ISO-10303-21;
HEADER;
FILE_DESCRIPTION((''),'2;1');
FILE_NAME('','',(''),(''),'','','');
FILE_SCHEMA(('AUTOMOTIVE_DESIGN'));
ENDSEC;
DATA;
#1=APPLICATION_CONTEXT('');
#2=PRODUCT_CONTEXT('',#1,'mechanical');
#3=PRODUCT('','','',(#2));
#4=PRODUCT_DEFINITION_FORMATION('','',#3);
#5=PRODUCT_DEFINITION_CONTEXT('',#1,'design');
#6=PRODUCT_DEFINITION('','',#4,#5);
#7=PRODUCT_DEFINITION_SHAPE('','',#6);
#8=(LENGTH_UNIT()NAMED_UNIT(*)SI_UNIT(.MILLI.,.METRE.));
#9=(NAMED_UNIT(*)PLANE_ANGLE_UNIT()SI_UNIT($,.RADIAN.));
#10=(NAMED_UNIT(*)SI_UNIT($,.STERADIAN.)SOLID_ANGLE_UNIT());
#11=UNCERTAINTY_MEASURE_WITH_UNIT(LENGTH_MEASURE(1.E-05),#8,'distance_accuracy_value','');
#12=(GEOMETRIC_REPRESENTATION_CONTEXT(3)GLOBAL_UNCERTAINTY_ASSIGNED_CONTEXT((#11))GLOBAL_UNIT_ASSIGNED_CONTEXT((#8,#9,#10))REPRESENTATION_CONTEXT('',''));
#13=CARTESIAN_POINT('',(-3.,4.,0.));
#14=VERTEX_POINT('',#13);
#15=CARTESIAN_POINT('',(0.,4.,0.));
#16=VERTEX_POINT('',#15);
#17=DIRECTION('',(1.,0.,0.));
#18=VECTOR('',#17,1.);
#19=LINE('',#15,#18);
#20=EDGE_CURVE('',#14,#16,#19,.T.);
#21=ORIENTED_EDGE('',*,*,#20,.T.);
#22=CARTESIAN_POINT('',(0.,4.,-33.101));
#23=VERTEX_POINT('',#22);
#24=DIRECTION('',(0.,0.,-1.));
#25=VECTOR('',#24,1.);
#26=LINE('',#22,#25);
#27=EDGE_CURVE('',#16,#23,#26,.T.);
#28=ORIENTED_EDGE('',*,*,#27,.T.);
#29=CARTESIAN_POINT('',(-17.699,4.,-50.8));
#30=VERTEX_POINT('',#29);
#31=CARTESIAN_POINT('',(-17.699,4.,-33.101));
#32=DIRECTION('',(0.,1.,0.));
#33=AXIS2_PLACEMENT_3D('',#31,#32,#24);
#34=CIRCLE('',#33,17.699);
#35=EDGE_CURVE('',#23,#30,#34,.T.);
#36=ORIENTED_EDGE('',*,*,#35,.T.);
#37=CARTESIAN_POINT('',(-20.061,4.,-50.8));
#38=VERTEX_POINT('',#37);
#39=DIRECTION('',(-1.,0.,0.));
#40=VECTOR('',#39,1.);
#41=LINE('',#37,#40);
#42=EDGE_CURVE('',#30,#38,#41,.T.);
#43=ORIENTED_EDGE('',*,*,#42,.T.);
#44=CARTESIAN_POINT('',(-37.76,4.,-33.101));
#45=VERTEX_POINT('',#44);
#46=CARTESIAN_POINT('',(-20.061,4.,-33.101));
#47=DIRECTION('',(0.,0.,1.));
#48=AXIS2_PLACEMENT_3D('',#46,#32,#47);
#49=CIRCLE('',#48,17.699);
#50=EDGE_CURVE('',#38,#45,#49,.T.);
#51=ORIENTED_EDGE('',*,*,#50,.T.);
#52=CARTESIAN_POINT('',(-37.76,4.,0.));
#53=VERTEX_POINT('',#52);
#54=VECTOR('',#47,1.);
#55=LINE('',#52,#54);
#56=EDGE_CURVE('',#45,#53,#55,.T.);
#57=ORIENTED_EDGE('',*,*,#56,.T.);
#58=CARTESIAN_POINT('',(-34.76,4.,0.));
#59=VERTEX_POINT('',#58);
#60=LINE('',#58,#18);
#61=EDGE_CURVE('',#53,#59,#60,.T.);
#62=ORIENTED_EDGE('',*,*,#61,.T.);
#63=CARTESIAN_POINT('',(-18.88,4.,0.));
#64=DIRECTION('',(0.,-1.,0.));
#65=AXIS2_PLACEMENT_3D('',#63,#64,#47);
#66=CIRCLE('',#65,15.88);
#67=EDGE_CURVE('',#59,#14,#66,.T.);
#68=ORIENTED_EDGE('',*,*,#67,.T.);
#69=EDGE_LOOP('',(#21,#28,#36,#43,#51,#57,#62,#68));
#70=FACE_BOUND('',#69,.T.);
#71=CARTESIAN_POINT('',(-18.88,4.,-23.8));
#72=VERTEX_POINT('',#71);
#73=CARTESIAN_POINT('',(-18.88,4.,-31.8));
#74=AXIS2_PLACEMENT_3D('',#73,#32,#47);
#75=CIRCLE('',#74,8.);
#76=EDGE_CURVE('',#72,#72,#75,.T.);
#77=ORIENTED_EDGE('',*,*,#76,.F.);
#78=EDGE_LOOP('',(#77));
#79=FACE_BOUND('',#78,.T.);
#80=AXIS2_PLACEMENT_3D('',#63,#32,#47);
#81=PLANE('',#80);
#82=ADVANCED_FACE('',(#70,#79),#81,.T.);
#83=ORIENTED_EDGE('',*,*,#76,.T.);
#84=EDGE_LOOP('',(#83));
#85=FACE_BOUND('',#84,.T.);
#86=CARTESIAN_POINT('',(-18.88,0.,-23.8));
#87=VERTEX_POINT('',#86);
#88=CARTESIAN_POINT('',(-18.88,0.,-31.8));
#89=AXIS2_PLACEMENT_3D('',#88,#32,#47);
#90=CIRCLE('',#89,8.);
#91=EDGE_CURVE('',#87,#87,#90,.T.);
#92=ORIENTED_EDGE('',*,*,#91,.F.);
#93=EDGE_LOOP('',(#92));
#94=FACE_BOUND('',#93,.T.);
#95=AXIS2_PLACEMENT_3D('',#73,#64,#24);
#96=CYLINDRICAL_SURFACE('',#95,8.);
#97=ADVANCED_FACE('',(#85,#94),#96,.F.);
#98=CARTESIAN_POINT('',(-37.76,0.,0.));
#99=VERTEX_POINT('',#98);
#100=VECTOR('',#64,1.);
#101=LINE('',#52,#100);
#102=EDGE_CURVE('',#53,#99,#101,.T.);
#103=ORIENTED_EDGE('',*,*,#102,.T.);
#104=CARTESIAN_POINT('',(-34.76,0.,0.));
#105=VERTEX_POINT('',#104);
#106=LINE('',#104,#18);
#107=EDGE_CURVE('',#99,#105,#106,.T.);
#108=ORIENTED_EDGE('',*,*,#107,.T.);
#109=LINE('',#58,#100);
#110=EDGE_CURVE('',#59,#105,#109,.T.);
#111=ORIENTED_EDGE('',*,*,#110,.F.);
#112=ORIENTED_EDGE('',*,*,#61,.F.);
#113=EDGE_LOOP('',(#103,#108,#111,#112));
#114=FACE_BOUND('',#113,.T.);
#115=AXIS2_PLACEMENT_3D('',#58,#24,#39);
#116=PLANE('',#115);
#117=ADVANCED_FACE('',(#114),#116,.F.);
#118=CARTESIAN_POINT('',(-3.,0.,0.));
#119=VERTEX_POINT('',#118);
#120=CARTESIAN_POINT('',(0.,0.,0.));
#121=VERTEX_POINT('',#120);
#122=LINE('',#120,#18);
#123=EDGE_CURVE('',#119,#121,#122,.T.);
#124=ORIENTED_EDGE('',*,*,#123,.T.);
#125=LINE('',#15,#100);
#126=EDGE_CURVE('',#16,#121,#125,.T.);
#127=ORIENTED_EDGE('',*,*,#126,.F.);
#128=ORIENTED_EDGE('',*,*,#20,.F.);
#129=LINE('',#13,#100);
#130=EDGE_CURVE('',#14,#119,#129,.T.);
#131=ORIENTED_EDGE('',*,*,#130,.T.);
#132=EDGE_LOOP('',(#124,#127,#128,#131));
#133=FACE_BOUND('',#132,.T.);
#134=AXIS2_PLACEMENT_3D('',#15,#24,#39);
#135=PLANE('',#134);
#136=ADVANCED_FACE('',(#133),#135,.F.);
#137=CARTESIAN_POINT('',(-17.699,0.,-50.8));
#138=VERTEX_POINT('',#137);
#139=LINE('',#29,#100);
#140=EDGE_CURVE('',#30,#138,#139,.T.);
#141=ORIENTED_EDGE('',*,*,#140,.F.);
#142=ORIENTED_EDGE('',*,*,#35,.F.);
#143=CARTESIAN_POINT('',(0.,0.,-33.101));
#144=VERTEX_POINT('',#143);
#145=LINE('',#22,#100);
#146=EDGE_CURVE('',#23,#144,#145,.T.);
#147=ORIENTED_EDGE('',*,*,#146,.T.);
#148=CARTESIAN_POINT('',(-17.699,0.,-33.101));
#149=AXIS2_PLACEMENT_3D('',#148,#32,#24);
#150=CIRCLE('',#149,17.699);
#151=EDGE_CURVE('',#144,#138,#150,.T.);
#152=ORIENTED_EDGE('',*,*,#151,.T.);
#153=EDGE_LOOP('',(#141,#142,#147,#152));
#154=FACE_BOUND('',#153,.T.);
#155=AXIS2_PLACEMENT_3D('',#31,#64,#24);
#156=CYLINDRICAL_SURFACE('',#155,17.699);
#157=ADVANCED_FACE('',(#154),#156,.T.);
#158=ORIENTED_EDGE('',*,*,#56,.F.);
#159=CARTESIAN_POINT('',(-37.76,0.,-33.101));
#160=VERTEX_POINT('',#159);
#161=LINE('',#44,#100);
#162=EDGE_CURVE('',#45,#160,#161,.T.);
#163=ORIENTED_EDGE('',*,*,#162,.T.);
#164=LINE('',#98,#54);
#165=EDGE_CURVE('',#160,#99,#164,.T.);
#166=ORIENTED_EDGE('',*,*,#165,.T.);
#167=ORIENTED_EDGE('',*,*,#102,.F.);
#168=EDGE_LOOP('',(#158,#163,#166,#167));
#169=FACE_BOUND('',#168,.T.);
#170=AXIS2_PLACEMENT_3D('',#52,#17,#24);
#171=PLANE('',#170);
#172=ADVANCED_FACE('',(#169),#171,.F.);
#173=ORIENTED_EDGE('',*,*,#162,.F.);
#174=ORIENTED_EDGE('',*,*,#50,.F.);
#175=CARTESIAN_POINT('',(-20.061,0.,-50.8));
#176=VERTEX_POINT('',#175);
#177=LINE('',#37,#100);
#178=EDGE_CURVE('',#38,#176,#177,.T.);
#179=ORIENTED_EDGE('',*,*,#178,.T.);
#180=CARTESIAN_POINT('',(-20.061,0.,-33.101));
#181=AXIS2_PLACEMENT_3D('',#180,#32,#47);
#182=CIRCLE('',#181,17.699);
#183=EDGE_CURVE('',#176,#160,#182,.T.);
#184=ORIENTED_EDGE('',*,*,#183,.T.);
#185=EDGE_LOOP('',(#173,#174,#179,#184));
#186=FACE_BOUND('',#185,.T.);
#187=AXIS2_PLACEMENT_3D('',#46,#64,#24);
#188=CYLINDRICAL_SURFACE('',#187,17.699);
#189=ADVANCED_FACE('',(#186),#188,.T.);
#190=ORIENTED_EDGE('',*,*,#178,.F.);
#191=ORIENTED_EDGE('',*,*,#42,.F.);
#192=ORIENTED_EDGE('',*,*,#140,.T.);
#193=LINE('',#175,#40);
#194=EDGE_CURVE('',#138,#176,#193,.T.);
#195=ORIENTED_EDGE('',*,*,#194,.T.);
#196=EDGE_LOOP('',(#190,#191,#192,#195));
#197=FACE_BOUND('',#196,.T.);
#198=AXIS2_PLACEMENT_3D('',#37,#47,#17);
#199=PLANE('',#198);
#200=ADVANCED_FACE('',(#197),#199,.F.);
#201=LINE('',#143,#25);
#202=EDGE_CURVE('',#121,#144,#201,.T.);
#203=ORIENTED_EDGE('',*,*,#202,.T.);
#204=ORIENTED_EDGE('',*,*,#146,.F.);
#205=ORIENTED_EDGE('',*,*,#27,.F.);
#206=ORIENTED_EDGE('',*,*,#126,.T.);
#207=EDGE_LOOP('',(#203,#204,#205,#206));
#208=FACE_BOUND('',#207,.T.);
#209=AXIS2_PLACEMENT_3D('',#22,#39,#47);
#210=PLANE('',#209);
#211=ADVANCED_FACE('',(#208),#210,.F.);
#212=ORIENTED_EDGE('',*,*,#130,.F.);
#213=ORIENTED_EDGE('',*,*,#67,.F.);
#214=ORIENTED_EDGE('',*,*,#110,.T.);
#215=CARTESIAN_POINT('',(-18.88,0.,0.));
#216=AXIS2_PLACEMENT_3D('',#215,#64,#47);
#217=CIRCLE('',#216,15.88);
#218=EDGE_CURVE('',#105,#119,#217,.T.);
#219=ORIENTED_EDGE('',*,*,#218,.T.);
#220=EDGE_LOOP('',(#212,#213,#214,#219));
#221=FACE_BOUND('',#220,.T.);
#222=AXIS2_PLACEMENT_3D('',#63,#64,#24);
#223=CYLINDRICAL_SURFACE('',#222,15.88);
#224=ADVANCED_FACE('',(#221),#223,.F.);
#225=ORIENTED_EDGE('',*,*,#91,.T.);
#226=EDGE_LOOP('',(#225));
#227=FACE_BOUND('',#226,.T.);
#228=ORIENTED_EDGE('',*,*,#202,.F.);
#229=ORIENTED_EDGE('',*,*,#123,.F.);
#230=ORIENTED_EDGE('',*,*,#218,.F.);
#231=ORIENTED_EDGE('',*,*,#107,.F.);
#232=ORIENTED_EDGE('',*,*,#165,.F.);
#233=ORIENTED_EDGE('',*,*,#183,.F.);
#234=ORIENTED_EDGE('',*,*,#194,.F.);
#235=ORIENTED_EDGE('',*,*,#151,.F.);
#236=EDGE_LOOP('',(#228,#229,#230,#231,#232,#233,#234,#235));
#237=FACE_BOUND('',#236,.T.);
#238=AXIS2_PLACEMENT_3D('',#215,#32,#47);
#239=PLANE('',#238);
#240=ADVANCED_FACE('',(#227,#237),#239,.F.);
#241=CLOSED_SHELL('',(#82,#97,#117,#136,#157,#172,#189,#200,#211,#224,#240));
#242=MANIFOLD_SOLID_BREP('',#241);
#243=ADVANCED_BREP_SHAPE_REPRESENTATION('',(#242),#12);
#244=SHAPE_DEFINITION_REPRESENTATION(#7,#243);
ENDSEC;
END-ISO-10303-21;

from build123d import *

# Parameters (mm, degrees)
SKETCH1_R           = 8
BOSS_EXTRUDE1_DEPTH = 4


with BuildPart() as part:
    # Sketch1 → Boss-Extrude1 (new body)
    with BuildSketch(Plane(origin=(0, 0, 0), x_dir=(1, 0, 0), z_dir=(0, 1, 0))):
        with BuildLine():
            Line((0, 0), (-3, 0))
            ThreePointArc((-3, 0), (-18.88, 15.88), (-34.76, 0))
            Line((-34.76, 0), (-37.76, 0))
            Line((-37.76, 0), (-37.76, 33.101))
            ThreePointArc((-37.76, 33.101), (-32.57608292, 45.61608292), (-20.061, 50.8))
            Line((-20.061, 50.8), (-17.699, 50.8))
            ThreePointArc((-17.699, 50.8), (-5.18391708, 45.61608292), (0, 33.101))
            Line((0, 33.101), (0, 0))
        make_face()
        with Locations((-18.88, 31.8)):
            Circle(SKETCH1_R, mode=Mode.SUBTRACT)
    extrude(amount=BOSS_EXTRUDE1_DEPTH)


solid = part.part
